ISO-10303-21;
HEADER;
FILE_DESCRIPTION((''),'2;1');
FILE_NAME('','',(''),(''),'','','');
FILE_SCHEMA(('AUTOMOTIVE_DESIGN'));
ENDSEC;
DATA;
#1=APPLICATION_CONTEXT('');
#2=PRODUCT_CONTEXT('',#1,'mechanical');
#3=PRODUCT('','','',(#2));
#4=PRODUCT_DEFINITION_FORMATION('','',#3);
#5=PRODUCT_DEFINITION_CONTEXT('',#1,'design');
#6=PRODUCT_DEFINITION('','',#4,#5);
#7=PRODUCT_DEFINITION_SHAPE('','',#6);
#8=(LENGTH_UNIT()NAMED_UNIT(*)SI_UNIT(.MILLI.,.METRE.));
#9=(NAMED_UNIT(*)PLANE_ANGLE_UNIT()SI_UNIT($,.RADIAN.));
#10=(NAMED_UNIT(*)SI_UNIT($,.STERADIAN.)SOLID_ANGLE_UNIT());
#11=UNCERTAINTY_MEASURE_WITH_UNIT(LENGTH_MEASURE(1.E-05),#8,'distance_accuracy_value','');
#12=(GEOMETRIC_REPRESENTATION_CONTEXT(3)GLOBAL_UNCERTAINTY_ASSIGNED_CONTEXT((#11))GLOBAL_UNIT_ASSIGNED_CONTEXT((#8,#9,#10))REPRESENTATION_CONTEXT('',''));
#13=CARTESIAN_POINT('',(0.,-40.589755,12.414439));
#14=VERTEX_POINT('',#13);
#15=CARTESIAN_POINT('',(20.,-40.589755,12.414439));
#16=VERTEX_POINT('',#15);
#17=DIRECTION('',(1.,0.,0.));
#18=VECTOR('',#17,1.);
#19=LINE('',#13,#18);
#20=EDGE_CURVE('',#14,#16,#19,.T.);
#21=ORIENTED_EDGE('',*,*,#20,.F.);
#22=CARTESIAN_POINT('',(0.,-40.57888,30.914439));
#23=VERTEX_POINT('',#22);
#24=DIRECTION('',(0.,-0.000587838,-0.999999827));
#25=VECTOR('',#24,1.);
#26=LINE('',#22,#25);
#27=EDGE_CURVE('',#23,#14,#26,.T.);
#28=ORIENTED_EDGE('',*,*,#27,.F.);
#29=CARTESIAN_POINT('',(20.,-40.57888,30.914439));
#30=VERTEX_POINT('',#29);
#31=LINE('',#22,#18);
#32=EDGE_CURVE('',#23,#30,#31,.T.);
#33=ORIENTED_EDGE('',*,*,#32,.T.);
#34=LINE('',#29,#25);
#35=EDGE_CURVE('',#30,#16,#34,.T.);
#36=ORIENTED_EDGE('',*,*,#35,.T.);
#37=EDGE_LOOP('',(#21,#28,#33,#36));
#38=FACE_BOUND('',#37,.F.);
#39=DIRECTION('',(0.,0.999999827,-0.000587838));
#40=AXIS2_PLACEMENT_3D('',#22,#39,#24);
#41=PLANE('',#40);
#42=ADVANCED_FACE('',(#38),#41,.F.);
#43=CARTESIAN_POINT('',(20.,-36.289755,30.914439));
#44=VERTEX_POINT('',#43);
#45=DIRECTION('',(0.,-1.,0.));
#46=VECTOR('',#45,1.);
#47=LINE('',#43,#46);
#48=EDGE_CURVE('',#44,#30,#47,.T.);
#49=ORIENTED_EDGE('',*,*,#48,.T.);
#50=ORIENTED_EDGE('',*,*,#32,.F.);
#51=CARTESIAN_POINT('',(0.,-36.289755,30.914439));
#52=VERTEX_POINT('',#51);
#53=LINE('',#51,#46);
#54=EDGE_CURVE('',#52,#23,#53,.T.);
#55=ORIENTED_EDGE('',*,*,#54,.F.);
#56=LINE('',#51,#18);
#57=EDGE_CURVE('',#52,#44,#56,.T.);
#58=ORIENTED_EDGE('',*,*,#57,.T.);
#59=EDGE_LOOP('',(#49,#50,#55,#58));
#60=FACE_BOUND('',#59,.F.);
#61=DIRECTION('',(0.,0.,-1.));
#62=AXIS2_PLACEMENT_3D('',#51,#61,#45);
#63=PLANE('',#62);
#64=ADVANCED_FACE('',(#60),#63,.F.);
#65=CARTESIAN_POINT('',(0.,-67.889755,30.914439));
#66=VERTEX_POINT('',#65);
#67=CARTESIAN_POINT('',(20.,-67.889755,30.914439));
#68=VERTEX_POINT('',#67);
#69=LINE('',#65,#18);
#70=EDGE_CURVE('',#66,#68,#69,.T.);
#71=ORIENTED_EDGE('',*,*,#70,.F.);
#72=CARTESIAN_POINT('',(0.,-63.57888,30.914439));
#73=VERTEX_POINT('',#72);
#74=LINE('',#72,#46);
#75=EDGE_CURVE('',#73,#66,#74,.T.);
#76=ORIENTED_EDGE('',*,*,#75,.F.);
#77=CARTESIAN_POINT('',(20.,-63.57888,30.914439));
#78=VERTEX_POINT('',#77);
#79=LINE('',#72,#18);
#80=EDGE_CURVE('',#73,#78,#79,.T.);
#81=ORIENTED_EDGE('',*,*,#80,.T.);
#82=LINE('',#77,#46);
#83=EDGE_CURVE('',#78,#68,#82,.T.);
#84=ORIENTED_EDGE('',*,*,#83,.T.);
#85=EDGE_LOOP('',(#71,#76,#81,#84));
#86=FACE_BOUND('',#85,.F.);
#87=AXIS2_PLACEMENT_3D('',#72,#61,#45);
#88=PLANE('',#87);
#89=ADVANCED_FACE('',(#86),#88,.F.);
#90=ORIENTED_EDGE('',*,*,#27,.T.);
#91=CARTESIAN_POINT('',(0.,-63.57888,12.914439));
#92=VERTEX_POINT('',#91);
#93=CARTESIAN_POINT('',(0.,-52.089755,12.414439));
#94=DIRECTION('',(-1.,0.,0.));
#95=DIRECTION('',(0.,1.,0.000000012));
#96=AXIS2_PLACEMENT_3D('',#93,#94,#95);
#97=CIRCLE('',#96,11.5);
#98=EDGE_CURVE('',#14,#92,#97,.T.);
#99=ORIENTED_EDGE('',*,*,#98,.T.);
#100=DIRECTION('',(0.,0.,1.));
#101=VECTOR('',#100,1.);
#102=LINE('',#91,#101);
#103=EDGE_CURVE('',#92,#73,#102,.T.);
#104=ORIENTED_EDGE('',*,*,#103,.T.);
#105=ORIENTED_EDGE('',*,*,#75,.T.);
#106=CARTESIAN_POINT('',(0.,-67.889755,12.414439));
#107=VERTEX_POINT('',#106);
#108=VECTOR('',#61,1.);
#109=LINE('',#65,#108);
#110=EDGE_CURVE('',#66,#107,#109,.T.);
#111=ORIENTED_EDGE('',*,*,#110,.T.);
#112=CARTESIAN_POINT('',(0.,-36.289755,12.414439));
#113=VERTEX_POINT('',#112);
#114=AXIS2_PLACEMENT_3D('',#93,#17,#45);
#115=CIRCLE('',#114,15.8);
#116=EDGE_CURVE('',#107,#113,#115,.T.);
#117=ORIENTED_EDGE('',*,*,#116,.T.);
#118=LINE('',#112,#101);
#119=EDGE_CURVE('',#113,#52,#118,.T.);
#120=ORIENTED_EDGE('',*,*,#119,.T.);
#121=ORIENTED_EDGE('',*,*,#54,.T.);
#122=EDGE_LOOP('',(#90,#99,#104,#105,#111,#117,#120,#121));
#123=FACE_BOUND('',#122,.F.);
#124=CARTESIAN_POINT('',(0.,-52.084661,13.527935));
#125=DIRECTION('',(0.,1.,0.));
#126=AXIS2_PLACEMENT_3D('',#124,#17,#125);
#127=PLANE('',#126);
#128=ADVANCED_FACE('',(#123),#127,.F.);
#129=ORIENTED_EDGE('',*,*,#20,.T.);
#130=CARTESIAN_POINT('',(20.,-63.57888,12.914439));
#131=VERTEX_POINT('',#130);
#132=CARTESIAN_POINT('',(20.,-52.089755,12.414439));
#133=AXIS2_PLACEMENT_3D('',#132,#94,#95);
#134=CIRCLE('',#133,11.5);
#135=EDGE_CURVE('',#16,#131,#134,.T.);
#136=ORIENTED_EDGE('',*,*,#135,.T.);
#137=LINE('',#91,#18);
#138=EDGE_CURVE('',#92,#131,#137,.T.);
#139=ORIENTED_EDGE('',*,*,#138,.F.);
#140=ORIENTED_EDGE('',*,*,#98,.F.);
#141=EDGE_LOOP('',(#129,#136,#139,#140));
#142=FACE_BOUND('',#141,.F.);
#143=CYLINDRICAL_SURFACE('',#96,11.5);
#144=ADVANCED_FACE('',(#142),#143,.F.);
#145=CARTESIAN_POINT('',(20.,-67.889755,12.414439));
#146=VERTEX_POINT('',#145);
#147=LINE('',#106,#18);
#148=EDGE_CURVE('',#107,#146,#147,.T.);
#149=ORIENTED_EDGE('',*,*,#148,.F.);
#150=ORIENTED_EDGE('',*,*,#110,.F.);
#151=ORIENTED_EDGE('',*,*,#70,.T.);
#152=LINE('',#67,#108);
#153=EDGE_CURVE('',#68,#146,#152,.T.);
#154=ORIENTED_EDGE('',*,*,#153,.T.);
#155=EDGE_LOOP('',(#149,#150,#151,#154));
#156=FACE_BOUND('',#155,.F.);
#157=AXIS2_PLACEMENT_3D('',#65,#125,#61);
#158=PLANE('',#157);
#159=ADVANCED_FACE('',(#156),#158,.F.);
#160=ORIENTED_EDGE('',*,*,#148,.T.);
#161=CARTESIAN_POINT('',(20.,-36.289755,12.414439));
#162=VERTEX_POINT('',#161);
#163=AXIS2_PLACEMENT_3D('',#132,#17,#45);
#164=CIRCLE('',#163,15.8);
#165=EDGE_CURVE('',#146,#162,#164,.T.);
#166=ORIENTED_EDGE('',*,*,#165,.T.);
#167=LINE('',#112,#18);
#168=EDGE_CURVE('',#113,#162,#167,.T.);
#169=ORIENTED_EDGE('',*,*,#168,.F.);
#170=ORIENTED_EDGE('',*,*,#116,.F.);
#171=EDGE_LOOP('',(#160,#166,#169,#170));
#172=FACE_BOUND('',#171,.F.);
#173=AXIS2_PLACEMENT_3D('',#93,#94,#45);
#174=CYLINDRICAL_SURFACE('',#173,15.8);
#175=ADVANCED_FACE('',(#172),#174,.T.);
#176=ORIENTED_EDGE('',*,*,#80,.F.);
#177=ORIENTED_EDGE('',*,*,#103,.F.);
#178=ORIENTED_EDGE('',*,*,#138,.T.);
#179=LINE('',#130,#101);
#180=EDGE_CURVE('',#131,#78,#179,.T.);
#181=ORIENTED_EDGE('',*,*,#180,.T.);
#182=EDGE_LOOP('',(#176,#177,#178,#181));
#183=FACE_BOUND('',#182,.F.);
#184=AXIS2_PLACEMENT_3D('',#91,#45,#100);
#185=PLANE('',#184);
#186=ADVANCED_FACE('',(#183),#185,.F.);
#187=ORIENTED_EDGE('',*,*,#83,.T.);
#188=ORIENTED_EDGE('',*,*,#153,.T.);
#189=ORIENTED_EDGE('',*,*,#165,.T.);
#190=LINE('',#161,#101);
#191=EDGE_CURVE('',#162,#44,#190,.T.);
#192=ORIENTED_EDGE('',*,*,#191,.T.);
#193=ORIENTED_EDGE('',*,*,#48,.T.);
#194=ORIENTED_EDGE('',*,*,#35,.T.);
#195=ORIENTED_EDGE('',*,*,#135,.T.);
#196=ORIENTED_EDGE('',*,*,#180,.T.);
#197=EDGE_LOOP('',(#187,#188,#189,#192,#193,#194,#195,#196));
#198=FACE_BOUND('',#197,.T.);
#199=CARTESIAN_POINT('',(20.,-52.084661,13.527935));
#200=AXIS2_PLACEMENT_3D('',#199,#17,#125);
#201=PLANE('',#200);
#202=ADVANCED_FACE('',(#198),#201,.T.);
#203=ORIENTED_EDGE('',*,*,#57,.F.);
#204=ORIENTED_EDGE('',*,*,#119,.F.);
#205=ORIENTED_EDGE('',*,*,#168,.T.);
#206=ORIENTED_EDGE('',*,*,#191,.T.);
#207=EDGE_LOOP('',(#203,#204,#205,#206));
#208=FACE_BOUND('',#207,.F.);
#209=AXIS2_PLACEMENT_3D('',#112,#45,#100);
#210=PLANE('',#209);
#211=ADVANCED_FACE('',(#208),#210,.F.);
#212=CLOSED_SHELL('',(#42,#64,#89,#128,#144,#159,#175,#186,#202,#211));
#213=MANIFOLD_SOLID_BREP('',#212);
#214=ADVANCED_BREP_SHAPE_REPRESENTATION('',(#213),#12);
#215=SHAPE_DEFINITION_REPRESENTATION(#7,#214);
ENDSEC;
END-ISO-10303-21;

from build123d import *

# Parameters (mm, degrees)
F1_DEPTH = 20


with BuildPart() as f1:
    # F0 (on Right) → F1 (new body)
    with BuildSketch(Plane.YZ):
        with BuildLine():
            Line((-67.889755, 30.914439), (-67.889755, 12.414439))
            ThreePointArc((-67.889755, 12.414439), (-52.089755, -3.385561), (-36.289755, 12.414439))
            Line((-36.289755, 12.414439), (-36.289755, 30.914439))
            Line((-36.289755, 30.914439), (-40.57888, 30.914439))
            Line((-40.57888, 30.914439), (-40.589755, 12.414439))
            ThreePointArc((-40.589755, 12.414439), (-52.339814, 0.917158), (-63.57888, 12.914439))
            Line((-63.57888, 12.914439), (-63.57888, 30.914439))
            Line((-63.57888, 30.914439), (-67.889755, 30.914439))
        make_face()
    extrude(amount=F1_DEPTH)


solid = f1.part
